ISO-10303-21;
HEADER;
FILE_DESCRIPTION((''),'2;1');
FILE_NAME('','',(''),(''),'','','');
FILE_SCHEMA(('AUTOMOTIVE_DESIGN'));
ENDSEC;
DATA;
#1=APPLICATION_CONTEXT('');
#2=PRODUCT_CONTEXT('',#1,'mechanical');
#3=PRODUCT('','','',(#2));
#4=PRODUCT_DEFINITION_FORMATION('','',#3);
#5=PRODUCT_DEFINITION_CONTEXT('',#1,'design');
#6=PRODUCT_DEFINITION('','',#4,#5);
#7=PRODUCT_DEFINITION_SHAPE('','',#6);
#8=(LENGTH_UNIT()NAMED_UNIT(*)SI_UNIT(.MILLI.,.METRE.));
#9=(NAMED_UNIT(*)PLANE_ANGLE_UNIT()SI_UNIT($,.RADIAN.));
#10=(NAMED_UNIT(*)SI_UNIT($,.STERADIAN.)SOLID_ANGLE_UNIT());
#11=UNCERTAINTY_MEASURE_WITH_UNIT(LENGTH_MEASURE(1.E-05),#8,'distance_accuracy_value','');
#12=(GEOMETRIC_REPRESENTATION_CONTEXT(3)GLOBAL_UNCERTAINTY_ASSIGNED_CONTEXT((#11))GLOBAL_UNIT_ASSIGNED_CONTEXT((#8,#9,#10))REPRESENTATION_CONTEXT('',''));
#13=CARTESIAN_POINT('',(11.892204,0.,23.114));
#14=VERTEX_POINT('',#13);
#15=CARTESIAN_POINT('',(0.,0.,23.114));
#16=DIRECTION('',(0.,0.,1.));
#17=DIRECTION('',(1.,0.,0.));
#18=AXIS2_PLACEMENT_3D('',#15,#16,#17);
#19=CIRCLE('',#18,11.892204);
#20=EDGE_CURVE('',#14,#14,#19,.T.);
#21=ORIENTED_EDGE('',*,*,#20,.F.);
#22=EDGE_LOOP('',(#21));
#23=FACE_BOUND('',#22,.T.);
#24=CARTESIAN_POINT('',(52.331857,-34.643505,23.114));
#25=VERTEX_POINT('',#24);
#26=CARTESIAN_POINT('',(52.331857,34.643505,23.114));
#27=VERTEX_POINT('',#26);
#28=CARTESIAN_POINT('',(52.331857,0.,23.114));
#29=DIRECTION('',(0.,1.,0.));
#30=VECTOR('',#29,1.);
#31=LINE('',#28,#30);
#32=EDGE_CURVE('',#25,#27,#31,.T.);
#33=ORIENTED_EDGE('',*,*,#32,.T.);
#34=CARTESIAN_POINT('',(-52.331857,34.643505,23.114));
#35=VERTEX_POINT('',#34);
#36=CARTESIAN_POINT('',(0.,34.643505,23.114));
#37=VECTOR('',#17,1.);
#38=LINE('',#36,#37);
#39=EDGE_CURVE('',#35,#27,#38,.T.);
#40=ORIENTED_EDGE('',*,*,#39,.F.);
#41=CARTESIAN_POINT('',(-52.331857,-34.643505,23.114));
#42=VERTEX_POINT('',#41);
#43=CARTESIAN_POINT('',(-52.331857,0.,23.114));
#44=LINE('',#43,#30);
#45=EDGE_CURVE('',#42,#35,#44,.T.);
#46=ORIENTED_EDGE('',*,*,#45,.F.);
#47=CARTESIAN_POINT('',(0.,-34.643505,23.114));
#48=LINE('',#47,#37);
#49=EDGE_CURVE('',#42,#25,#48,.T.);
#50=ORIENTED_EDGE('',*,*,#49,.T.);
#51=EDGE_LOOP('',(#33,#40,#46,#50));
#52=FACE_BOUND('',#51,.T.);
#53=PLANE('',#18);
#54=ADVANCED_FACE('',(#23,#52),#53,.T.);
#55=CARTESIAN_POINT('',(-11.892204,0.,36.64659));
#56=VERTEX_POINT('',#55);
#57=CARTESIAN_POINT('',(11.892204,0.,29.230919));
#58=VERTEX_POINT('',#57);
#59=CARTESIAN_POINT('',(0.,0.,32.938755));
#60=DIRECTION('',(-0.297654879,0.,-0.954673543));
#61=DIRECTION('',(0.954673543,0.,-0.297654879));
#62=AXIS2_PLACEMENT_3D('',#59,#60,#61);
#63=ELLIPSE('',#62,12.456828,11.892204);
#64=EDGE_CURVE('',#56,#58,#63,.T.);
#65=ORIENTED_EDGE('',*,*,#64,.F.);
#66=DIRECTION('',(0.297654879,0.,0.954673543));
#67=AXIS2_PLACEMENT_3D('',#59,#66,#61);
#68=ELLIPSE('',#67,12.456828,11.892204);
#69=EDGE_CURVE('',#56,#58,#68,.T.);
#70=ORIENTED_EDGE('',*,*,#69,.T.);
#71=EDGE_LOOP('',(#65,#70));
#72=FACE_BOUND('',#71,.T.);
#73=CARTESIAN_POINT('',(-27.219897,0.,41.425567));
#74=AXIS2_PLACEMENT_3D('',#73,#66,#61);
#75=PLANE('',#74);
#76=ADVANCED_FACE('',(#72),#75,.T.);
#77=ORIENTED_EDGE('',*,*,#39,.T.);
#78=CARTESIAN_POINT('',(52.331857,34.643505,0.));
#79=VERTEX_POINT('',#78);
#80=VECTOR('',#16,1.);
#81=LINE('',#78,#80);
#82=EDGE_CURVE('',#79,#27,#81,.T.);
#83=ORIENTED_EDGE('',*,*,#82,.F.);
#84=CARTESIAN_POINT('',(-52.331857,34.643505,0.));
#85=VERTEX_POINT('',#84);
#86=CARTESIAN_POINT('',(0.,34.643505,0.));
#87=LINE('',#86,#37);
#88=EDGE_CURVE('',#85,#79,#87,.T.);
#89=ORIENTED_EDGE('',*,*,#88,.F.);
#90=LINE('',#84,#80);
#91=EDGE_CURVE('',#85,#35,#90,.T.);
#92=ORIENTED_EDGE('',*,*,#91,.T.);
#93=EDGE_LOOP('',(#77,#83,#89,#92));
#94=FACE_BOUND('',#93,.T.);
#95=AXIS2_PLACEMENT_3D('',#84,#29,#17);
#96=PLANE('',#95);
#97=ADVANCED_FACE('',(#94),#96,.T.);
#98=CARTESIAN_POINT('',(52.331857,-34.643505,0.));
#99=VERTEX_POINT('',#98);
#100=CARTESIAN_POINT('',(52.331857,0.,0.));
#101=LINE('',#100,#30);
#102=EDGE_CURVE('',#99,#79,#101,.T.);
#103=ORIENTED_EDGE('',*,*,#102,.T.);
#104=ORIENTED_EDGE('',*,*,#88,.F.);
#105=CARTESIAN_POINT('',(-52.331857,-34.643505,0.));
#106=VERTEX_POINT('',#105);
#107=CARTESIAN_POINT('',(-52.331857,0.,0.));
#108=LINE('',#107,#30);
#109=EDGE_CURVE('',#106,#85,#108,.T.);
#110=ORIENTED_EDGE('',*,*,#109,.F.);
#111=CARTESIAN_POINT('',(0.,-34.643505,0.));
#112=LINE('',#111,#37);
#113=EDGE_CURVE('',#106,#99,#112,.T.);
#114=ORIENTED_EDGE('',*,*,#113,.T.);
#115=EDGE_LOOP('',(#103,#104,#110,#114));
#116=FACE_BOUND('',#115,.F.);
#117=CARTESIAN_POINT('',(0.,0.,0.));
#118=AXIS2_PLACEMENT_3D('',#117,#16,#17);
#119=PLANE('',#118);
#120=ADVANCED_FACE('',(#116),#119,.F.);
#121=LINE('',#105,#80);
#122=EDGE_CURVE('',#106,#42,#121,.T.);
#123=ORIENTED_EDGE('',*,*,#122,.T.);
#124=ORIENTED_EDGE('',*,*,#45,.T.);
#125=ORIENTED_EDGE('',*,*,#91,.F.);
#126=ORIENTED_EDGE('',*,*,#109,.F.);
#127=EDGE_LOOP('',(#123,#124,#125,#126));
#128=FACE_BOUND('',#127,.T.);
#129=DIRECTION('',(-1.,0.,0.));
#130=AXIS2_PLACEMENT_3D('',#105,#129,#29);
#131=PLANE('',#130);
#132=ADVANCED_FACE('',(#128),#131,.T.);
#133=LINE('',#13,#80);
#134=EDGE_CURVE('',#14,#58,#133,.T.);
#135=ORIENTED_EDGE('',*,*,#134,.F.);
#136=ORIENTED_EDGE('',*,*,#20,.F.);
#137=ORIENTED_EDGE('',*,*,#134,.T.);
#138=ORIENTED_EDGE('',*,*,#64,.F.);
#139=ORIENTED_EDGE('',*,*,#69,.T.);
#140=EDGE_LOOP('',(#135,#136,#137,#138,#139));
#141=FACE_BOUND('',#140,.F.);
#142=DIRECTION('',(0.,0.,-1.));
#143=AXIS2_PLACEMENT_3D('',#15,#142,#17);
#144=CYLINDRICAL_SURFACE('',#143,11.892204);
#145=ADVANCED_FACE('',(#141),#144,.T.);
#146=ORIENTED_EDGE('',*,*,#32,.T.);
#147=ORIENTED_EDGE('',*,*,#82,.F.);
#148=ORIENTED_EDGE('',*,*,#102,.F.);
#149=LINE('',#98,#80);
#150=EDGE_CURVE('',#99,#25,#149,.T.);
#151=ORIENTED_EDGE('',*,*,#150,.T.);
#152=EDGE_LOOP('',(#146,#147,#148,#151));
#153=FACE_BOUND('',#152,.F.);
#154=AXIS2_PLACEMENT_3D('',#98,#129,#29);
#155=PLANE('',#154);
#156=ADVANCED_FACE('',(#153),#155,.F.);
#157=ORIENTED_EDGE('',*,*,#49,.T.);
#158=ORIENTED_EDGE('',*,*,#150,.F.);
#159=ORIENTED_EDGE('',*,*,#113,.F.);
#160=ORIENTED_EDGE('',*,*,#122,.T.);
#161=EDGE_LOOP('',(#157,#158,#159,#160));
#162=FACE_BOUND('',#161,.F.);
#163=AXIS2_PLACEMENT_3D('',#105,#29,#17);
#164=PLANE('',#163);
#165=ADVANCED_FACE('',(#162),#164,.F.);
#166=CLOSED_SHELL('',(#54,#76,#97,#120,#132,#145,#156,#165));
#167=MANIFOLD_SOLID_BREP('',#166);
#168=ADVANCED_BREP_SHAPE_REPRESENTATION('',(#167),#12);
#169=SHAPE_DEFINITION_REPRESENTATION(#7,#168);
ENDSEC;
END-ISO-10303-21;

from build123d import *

# Parameters (mm, degrees)
F0_W     = 104.663714
F0_H     = 69.28701
F1_DEPTH = 23.114
F2_R     = 11.892204
F3_DEPTH = 18.034
F5_DEPTH = 25.4
F6_DEPTH = 25.4


with BuildPart() as f1:
    # F0 (on Top) → F1 (new body)
    with BuildSketch(Plane.XY):
        Rectangle(F0_W, F0_H)
    extrude(amount=F1_DEPTH)

    # F2 (on face) → F3 (join)
    with BuildSketch(Plane.XY.offset(23.114)):
        Circle(F2_R)
    extrude(amount=F3_DEPTH)

    # F4 (on Front) → F5 (cut)
    with BuildSketch(Plane.XZ):
        Polygon((20.987732, 43.441858), (-27.219897, 41.425567), (20.987732, 26.395051), align=None)
    extrude(amount=-F5_DEPTH, mode=Mode.SUBTRACT)

    # F4 (on Front) → F6 (cut)
    with BuildSketch(Plane.XZ):
        Polygon((20.987732, 43.441858), (-27.219897, 41.425567), (20.987732, 26.395051), align=None)
    extrude(amount=F6_DEPTH, mode=Mode.SUBTRACT)


solid = f1.part
